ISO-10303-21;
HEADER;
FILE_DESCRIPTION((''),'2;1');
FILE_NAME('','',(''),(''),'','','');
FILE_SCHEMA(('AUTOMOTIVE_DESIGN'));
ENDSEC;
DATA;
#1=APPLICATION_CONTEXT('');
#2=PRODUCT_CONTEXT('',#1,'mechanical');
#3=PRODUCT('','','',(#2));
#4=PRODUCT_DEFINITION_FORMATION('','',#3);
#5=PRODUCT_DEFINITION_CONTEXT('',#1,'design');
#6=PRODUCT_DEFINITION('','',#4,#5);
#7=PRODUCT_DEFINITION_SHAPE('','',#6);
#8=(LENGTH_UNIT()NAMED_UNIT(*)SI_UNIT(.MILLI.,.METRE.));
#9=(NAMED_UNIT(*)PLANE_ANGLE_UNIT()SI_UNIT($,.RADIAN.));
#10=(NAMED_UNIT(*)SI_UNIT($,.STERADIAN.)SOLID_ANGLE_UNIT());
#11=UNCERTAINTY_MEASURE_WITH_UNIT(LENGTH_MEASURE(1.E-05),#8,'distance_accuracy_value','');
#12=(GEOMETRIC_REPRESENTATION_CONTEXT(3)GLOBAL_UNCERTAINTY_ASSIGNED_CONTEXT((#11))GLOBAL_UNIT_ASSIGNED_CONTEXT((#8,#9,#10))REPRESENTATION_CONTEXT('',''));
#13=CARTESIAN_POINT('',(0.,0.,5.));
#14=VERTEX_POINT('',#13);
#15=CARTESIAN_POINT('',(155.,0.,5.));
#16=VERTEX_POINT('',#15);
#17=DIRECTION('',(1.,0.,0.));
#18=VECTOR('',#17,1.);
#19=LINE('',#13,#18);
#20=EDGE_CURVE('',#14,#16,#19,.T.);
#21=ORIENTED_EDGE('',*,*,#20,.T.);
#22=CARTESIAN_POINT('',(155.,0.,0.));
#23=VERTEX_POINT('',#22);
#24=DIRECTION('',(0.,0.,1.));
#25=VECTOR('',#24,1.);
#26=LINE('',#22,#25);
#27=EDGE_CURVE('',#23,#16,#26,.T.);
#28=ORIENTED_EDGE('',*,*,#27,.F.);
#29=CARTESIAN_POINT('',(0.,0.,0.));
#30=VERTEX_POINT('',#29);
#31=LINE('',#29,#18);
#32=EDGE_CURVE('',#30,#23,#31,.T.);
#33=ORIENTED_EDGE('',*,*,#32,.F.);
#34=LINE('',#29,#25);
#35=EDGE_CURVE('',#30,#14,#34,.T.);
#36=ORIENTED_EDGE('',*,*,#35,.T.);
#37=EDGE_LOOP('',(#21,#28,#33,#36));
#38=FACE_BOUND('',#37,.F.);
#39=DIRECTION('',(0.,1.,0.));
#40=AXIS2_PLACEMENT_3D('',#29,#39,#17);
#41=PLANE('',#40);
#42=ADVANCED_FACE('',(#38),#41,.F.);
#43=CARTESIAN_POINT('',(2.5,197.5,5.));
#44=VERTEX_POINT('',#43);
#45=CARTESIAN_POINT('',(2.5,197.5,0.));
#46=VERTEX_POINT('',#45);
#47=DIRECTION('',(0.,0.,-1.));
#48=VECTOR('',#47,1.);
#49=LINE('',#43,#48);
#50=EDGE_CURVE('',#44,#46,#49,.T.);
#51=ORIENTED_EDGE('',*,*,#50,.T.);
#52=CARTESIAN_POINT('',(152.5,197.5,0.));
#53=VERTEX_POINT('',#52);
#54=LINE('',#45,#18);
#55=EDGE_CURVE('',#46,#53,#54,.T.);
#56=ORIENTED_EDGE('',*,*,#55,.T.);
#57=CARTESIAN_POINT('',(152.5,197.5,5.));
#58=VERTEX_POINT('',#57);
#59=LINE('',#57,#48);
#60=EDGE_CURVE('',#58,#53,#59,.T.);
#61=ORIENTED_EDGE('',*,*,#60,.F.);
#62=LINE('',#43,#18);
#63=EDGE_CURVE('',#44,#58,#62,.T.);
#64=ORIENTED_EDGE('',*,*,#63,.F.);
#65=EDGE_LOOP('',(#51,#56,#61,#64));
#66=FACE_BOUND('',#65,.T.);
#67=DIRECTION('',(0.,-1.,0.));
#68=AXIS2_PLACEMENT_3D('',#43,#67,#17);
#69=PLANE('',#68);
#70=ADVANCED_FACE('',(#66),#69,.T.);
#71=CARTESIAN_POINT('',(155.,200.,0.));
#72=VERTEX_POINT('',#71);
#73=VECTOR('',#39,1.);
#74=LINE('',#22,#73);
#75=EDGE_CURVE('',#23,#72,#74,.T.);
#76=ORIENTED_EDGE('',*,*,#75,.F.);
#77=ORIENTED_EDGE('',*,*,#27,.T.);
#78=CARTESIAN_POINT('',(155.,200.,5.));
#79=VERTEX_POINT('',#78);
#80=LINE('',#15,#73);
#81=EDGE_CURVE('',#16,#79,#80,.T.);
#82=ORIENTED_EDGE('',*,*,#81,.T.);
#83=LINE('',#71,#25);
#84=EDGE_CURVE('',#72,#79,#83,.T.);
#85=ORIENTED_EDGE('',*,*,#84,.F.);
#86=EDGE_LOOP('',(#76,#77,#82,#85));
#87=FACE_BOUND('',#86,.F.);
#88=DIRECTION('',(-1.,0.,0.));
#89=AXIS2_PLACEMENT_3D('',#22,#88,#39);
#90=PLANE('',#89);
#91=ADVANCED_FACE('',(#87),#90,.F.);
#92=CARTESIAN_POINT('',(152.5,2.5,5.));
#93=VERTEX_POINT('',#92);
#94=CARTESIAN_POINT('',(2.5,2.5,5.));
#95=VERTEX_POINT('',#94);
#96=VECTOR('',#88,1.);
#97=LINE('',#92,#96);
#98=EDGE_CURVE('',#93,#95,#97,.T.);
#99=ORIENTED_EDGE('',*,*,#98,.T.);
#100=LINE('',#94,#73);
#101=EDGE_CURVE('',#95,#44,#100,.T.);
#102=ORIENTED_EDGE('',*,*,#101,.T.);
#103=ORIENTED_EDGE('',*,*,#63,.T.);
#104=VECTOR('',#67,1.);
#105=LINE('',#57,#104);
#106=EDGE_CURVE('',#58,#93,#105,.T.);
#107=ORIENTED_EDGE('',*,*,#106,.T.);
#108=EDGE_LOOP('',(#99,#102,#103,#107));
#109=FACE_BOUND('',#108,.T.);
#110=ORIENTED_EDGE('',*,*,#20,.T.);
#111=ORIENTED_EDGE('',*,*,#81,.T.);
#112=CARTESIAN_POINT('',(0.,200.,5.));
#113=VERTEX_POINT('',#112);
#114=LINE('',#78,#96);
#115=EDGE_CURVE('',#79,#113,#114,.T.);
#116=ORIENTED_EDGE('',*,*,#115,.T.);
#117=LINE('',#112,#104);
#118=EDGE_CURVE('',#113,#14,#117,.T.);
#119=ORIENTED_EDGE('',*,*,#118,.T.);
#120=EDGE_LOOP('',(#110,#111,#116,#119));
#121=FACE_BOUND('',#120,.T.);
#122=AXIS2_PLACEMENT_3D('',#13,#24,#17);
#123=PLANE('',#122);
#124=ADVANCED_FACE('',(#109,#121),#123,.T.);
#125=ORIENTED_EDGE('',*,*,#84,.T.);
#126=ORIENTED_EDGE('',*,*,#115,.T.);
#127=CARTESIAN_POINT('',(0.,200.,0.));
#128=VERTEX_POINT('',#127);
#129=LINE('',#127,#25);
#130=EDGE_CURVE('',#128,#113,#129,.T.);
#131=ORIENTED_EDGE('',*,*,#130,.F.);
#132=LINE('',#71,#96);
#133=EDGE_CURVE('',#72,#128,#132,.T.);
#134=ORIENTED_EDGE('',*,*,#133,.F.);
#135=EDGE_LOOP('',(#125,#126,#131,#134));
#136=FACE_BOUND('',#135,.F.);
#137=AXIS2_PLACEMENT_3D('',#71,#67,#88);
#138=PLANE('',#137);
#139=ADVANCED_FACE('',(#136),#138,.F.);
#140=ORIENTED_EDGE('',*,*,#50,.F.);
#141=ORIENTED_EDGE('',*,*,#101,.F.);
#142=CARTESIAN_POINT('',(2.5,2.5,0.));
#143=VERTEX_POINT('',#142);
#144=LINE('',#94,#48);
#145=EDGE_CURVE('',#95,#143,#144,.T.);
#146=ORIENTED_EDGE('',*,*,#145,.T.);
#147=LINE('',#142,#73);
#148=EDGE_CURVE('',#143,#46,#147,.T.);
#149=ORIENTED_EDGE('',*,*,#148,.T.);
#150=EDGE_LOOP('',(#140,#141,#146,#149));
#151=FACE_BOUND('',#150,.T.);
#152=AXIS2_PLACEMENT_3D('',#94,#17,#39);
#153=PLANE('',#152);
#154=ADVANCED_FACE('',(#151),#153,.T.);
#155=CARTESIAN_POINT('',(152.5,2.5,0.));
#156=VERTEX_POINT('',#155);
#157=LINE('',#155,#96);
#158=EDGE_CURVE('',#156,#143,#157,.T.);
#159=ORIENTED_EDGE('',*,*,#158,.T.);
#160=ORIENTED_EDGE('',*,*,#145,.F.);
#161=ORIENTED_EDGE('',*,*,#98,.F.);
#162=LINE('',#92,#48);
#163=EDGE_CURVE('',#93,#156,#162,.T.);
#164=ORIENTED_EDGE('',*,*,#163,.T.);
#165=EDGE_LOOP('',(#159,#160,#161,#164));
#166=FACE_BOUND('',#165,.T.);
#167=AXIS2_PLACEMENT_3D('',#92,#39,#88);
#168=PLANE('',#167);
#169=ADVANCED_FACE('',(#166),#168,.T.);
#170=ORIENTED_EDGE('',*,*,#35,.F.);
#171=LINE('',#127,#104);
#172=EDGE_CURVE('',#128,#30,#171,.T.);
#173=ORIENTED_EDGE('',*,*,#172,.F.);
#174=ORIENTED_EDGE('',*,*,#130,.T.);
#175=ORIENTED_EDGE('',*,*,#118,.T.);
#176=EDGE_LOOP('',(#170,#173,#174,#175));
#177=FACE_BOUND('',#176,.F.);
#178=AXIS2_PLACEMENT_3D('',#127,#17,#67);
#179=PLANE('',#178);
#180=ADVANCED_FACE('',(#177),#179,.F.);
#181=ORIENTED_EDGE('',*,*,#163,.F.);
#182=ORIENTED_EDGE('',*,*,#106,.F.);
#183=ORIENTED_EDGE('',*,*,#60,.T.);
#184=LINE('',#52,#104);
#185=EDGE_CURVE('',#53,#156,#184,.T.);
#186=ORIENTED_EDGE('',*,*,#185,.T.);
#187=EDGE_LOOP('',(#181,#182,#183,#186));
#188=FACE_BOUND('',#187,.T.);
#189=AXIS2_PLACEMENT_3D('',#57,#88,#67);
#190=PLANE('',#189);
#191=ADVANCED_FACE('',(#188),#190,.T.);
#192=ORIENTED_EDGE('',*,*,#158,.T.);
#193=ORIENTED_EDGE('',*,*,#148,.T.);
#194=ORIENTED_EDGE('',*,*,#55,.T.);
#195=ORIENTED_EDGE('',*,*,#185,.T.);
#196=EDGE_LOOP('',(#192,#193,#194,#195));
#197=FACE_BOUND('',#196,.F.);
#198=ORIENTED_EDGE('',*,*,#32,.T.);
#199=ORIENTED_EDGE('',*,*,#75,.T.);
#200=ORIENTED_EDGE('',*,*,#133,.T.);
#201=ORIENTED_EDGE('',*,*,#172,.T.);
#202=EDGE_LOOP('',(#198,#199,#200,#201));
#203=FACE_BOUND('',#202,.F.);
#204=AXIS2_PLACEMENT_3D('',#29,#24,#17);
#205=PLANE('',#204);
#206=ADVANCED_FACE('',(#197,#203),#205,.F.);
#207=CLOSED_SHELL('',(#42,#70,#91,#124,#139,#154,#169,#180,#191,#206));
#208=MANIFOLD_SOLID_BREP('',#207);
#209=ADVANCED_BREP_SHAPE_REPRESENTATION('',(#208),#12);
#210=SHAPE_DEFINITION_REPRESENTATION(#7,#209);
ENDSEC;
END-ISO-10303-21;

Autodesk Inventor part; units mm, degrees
ref_plane "YZ Plane" through (0, 0, 0) normal (1, 0, 0) x (0, 1, 0)
ref_plane "XZ Plane" through (0, 0, 0) normal (0, 1, 0) x (-1, 0, 0)
ref_plane "XY Plane" through (0, 0, 0) normal (0, 0, 1) x (1, 0, 0)
sketch "Sketch1" plane through (0, 0, 0) normal (0, 0, 1) x (1, 0, 0)
  line L0 (0, 0) -> (155, 0)
  line L1 (155, 0) -> (155, 200)
  line L2 (155, 200) -> (0, 200)
  line L3 (0, 200) -> (0, 0)
  dimension "d0" = 200
  dimension "d1" = 155
extrude "Extrusion1" add sketch "Sketch1" along normal blind 5
sketch "Sketch2" plane through (0, 0, 5) normal (0, 0, 1) x (1, 0, 0)
  line L0 (155, 0) -> (155, 200) projected
  line L1 (155, 200) -> (0, 200) projected
  line L2 (0, 200) -> (0, 0) projected
  line L3 (0, 0) -> (155, 0) projected
  line L4 (2.5, 197.5) -> (152.5, 197.5)
  line L5 (152.5, 197.5) -> (152.5, 2.5)
  line L6 (152.5, 2.5) -> (2.5, 2.5)
  line L7 (2.5, 2.5) -> (2.5, 197.5)
  dimension "d4" = 150
  dimension "d5" = 195
  dimension "d6" = 2.5
  dimension "d7" = 2.5
extrude "Extrusion2" cut sketch "Sketch2" against normal up to surface (5 mm away) contours L4 L5 L6 L7
properties part number "rubberSeal"
